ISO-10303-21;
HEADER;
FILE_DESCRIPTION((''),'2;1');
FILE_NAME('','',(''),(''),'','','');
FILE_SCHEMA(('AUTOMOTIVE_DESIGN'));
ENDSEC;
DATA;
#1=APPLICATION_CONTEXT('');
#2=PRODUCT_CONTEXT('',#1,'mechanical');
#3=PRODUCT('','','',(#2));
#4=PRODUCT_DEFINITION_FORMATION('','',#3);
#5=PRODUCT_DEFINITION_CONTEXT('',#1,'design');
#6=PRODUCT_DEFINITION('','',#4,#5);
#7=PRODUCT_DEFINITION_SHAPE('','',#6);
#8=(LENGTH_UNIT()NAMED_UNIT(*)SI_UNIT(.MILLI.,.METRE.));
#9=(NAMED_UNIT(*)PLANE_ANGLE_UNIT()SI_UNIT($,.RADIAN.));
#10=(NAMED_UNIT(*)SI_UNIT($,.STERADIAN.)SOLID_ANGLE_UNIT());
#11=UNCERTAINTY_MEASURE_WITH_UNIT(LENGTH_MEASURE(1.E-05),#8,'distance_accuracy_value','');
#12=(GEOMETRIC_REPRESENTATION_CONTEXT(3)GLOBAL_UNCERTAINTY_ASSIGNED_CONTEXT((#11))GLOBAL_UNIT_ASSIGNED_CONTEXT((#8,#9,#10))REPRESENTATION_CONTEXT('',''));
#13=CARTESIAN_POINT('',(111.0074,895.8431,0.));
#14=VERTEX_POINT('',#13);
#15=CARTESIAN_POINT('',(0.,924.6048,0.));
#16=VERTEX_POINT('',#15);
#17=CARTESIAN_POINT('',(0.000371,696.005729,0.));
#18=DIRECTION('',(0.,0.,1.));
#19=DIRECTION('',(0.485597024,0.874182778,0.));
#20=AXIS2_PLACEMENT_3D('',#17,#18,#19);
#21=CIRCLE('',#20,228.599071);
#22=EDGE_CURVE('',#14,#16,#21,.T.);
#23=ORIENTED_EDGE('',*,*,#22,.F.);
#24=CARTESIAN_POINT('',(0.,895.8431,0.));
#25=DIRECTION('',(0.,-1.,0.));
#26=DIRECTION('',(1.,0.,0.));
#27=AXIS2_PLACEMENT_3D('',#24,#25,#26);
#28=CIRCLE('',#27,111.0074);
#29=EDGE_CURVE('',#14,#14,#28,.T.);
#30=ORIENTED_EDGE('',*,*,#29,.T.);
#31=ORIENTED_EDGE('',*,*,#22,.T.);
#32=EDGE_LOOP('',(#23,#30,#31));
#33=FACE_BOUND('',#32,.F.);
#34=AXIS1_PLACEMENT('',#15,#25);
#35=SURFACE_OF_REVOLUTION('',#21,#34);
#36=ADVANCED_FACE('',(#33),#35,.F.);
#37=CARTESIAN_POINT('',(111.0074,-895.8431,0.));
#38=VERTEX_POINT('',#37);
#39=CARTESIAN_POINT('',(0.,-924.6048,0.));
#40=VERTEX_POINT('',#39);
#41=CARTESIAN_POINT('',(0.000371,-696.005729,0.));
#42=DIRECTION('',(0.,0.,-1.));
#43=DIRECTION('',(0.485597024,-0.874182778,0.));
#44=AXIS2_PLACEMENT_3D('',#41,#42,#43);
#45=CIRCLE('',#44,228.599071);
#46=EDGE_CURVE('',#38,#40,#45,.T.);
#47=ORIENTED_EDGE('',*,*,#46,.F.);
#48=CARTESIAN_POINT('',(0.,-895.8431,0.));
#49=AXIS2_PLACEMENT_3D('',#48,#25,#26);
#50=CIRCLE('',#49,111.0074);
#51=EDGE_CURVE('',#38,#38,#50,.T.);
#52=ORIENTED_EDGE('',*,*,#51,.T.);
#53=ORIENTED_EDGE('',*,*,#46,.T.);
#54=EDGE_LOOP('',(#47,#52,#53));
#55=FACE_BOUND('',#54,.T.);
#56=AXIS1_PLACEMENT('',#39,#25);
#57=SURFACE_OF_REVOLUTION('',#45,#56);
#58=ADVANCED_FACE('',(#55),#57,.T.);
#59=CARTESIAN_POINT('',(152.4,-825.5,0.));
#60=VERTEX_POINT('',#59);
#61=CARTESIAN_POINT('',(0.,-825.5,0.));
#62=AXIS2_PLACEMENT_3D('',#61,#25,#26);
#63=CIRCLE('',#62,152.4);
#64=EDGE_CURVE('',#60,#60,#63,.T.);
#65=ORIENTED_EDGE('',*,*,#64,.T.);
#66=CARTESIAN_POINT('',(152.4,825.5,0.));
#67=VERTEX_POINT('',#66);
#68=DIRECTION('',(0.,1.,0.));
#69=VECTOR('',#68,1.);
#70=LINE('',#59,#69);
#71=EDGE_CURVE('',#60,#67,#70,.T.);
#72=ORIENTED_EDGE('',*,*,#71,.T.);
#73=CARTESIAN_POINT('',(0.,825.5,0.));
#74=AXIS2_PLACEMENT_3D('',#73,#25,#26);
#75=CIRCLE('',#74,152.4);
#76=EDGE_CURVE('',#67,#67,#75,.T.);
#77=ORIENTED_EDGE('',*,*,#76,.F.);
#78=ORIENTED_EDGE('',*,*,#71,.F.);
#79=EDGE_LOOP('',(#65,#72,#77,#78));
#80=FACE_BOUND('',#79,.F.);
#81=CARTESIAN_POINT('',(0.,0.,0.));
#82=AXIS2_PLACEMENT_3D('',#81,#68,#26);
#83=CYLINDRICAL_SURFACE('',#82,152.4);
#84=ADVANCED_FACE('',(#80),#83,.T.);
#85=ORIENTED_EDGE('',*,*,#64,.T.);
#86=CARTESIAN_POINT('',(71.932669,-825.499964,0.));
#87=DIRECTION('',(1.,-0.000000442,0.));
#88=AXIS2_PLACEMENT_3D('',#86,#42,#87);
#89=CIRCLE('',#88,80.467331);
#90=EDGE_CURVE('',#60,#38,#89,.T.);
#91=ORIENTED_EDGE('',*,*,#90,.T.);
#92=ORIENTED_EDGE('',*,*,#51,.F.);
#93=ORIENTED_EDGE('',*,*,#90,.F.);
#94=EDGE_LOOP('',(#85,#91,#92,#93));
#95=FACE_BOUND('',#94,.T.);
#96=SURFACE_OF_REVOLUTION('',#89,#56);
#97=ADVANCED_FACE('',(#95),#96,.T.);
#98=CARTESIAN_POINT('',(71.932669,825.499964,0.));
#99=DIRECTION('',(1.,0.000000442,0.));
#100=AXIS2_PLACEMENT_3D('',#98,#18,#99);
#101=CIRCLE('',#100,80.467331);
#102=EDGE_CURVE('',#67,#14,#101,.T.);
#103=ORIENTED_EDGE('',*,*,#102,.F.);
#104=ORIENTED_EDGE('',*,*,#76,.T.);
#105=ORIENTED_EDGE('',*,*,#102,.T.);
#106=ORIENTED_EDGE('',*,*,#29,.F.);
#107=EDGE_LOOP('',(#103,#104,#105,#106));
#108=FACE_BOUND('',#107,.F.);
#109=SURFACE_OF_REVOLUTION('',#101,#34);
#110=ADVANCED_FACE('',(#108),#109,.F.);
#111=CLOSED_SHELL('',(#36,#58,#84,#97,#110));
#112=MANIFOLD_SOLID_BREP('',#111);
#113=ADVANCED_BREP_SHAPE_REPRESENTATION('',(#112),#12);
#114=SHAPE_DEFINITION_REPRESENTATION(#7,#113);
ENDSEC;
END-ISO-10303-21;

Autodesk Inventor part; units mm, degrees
ref_plane "YZ Plane" through (0, 0, 0) normal (1, 0, 0) x (0, 1, 0)
ref_plane "XZ Plane" through (0, 0, 0) normal (0, 1, 0) x (-1, 0, 0)
ref_plane "XY Plane" through (0, 0, 0) normal (0, 0, 1) x (1, 0, 0)
sketch "Sketch3" plane through (0, 0, 0) normal (0, 0, 1) x (1, 0, 0)
  line L0 (0, 0) -> (152.4, 0)
  line L1 (152.4, 0) -> (152.4, 825.5)
  arc A0 (152.4, 825.5) -> (111.0074, 895.8431) centre (71.9328, 825.5) ccw
  arc A1 (111.0074, 895.8431) -> (0, 924.6048) centre (0, 696.0048) ccw
  line L2 (0, 924.6048) -> (0, 0)
  dimension "d3" = 152.4
  dimension "d4" = 825.5
  dimension "d5" = 80.4672
  dimension "d6" = 228.6
revolve "Revolution1" add sketch "Sketch3" angle 360 about axis through (0, 924.6048, 0) along (0, -1, 0)
mirror "Mirror1" about plane through (0, 0, 0) normal (0, -1, 0)
equation "\"d5\" = 0.528 * d3"
equation "\"d6\" = 1.5 * d3"
equation "\"Diameter\" = 304.8"
equation "\"Height\" = 1905"
properties part number "Volume Test Part"
